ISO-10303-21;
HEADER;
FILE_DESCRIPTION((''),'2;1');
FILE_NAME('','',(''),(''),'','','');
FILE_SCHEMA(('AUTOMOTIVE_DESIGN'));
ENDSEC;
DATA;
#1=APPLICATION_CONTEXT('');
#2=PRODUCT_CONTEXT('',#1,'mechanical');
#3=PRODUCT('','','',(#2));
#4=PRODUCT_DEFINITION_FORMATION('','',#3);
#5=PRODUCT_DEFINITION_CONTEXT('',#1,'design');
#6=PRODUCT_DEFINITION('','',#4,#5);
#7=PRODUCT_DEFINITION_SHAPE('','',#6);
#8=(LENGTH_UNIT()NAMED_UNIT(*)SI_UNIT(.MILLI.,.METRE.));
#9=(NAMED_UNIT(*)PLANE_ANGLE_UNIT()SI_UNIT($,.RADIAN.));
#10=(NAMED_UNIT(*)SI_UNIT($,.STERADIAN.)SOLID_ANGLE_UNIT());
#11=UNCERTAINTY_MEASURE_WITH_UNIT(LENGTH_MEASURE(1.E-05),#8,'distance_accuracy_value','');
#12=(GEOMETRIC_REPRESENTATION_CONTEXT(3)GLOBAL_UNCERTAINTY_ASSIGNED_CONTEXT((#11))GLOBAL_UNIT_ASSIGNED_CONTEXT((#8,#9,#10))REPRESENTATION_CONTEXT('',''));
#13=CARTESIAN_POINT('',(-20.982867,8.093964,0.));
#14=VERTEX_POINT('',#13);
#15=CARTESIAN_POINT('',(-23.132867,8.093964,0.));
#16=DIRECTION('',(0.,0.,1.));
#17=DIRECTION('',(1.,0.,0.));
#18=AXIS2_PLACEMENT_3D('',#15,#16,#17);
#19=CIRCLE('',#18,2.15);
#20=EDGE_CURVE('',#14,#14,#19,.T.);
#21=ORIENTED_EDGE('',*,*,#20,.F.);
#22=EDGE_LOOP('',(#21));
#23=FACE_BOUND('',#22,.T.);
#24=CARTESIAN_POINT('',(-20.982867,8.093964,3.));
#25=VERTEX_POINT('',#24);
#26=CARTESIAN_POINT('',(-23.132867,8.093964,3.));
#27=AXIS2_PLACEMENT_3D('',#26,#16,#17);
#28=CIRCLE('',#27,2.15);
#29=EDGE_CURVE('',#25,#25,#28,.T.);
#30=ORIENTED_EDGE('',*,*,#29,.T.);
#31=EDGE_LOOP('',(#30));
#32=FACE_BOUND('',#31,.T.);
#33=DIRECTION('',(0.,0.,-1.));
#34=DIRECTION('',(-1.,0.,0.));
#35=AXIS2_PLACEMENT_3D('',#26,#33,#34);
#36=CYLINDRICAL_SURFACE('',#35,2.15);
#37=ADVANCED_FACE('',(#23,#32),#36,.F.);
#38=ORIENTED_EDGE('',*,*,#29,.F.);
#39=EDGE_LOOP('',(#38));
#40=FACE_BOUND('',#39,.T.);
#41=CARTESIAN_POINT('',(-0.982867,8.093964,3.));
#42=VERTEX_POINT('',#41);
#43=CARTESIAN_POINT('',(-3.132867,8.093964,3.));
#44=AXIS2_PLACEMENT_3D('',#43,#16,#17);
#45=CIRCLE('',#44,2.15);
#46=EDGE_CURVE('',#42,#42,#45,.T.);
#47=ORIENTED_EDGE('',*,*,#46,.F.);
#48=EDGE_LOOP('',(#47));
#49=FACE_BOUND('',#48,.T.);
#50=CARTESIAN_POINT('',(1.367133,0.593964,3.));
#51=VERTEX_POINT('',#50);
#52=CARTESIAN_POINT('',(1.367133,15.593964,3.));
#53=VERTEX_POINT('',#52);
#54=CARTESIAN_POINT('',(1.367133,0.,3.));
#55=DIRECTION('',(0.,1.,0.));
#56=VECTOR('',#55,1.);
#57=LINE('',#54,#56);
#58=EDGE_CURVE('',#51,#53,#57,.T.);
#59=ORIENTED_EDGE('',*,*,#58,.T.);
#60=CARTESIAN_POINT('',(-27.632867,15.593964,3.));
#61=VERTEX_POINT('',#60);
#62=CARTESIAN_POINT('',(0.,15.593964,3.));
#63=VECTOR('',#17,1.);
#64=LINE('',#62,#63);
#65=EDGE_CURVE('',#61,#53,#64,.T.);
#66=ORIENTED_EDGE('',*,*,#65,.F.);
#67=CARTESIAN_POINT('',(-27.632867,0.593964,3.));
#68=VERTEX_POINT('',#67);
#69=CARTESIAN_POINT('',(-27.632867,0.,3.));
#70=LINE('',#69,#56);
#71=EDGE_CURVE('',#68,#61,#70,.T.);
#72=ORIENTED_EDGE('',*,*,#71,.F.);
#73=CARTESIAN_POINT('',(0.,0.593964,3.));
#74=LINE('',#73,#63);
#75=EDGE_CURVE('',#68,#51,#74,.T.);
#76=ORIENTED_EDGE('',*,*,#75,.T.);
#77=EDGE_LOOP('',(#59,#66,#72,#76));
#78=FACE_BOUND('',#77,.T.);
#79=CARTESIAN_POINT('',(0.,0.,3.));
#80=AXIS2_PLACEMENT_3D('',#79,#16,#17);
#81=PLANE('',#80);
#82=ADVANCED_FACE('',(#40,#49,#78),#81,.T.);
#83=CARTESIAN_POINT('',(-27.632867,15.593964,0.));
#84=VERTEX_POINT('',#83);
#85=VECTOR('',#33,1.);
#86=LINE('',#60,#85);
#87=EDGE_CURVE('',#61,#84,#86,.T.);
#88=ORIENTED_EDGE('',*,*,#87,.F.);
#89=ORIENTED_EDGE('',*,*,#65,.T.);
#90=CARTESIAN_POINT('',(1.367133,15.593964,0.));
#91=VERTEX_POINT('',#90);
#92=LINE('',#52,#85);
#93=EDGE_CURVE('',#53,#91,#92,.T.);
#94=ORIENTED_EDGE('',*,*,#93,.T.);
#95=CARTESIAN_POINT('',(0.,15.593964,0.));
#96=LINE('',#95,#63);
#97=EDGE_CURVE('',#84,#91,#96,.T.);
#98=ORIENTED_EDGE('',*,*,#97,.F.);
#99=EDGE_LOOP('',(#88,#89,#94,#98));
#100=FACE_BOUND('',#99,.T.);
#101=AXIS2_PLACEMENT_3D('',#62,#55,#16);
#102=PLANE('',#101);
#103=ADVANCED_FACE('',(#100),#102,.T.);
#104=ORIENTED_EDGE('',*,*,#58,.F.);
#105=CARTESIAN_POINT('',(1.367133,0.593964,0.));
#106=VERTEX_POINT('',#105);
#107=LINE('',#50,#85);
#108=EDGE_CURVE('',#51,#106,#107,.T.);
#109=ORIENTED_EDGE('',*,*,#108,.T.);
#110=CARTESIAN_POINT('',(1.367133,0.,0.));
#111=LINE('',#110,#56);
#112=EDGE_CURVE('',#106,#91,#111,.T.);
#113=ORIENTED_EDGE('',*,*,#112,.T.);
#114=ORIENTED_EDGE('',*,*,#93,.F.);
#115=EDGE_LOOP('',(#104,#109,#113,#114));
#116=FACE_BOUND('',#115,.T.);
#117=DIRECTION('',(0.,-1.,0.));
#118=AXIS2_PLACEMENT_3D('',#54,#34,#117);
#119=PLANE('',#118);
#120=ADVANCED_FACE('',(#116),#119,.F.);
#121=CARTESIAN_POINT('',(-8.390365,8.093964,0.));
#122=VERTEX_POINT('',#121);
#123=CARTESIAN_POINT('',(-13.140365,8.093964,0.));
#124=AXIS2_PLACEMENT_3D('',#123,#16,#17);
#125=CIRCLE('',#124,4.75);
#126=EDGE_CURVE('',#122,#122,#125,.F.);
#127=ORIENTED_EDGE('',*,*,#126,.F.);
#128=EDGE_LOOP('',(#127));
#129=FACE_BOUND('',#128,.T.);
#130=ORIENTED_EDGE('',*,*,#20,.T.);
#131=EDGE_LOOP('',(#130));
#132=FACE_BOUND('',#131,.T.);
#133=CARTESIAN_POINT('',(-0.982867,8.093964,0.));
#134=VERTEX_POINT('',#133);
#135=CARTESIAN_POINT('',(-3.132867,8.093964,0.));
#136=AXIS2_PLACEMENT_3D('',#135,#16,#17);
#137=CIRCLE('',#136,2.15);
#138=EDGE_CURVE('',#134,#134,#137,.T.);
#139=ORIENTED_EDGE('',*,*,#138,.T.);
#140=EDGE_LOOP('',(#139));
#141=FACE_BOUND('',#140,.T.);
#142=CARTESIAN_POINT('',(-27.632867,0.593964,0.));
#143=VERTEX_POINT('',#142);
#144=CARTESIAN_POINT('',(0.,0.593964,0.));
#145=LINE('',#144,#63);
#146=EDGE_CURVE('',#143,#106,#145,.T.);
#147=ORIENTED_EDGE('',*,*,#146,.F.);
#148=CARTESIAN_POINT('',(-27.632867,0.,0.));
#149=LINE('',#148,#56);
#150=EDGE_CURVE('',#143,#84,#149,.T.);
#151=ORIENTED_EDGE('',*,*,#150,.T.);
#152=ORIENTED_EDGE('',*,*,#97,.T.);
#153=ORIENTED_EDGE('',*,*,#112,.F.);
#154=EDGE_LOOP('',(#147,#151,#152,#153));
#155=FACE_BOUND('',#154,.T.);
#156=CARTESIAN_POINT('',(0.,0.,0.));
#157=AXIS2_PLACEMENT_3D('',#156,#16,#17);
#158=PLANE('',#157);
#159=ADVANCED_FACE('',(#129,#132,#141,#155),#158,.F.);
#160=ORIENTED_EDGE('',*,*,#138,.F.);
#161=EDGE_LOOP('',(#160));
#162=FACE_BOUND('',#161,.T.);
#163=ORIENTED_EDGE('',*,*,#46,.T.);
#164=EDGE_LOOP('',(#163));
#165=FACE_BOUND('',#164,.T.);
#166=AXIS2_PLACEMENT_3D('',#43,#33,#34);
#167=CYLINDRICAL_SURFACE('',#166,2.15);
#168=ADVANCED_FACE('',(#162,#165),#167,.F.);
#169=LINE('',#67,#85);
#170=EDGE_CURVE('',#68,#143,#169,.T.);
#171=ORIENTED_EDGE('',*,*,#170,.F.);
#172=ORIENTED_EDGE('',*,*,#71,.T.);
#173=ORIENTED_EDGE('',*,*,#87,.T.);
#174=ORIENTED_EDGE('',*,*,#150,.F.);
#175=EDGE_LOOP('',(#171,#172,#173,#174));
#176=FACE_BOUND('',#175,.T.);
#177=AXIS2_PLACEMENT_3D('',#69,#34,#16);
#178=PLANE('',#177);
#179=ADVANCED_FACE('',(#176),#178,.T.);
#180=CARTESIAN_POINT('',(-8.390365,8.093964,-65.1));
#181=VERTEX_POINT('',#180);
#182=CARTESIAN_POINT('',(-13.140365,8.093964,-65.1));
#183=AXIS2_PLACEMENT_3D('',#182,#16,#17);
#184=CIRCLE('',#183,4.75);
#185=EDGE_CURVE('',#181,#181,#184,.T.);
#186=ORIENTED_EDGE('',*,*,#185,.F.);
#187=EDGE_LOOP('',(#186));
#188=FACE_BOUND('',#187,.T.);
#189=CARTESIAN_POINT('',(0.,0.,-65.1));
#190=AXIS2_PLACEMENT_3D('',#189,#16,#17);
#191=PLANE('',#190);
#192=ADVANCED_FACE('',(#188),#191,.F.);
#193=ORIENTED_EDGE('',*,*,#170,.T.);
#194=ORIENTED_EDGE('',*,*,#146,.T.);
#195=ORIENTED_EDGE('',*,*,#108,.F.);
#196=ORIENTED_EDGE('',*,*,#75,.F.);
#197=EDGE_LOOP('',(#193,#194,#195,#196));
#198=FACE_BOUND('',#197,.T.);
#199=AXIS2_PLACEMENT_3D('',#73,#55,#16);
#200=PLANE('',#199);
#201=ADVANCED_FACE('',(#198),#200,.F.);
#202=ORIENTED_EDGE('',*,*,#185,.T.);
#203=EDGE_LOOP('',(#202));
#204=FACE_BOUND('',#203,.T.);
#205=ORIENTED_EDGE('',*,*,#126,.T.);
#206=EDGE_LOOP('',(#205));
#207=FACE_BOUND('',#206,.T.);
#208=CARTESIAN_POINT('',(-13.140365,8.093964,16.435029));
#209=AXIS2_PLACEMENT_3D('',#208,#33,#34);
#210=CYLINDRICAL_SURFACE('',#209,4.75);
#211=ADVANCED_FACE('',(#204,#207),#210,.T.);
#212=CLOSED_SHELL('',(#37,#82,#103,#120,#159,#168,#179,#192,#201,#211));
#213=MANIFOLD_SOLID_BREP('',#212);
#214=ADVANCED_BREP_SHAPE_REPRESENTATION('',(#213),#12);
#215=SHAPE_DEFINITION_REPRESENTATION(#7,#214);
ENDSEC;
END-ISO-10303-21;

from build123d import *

# Parameters (mm, degrees)
SKETCH1_W                = 29
SKETCH1_H                = 15
SKETCH1_R                = 2.15
SKETCH1_R_2              = 4.75
BOSS_EXTRUDE1_DEPTH      = 3
SKETCH1_3_R              = 4.75
BOSS_EXTRUDE2_DEPTH      = 3
BOSS_EXTRUDE2_DEPTH_BACK = 65.1


with BuildPart() as part:
    # Sketch1 → Boss-Extrude1 (new body)
    with BuildSketch(Plane.XY):
        with Locations((-13.13286664, 8.093964388)):
            Rectangle(SKETCH1_W, SKETCH1_H)
        with Locations((-23.13286664, 8.093964388)):
            Circle(SKETCH1_R, mode=Mode.SUBTRACT)
        with Locations((-13.140365172, 8.093964388)):
            Circle(SKETCH1_R_2, mode=Mode.SUBTRACT)
        with Locations((-3.13286664, 8.093964388)):
            Circle(SKETCH1_R, mode=Mode.SUBTRACT)
    extrude(amount=BOSS_EXTRUDE1_DEPTH)

    # Sketch1<3> → Boss-Extrude2 (add, two sides)
    with BuildSketch(Plane.XY) as boss_extrude2_sk:
        with Locations((-13.140365172, 8.093964388)):
            Circle(SKETCH1_3_R)
    extrude(amount=BOSS_EXTRUDE2_DEPTH)
    extrude(boss_extrude2_sk.sketch, amount=-BOSS_EXTRUDE2_DEPTH_BACK)


solid = part.part
